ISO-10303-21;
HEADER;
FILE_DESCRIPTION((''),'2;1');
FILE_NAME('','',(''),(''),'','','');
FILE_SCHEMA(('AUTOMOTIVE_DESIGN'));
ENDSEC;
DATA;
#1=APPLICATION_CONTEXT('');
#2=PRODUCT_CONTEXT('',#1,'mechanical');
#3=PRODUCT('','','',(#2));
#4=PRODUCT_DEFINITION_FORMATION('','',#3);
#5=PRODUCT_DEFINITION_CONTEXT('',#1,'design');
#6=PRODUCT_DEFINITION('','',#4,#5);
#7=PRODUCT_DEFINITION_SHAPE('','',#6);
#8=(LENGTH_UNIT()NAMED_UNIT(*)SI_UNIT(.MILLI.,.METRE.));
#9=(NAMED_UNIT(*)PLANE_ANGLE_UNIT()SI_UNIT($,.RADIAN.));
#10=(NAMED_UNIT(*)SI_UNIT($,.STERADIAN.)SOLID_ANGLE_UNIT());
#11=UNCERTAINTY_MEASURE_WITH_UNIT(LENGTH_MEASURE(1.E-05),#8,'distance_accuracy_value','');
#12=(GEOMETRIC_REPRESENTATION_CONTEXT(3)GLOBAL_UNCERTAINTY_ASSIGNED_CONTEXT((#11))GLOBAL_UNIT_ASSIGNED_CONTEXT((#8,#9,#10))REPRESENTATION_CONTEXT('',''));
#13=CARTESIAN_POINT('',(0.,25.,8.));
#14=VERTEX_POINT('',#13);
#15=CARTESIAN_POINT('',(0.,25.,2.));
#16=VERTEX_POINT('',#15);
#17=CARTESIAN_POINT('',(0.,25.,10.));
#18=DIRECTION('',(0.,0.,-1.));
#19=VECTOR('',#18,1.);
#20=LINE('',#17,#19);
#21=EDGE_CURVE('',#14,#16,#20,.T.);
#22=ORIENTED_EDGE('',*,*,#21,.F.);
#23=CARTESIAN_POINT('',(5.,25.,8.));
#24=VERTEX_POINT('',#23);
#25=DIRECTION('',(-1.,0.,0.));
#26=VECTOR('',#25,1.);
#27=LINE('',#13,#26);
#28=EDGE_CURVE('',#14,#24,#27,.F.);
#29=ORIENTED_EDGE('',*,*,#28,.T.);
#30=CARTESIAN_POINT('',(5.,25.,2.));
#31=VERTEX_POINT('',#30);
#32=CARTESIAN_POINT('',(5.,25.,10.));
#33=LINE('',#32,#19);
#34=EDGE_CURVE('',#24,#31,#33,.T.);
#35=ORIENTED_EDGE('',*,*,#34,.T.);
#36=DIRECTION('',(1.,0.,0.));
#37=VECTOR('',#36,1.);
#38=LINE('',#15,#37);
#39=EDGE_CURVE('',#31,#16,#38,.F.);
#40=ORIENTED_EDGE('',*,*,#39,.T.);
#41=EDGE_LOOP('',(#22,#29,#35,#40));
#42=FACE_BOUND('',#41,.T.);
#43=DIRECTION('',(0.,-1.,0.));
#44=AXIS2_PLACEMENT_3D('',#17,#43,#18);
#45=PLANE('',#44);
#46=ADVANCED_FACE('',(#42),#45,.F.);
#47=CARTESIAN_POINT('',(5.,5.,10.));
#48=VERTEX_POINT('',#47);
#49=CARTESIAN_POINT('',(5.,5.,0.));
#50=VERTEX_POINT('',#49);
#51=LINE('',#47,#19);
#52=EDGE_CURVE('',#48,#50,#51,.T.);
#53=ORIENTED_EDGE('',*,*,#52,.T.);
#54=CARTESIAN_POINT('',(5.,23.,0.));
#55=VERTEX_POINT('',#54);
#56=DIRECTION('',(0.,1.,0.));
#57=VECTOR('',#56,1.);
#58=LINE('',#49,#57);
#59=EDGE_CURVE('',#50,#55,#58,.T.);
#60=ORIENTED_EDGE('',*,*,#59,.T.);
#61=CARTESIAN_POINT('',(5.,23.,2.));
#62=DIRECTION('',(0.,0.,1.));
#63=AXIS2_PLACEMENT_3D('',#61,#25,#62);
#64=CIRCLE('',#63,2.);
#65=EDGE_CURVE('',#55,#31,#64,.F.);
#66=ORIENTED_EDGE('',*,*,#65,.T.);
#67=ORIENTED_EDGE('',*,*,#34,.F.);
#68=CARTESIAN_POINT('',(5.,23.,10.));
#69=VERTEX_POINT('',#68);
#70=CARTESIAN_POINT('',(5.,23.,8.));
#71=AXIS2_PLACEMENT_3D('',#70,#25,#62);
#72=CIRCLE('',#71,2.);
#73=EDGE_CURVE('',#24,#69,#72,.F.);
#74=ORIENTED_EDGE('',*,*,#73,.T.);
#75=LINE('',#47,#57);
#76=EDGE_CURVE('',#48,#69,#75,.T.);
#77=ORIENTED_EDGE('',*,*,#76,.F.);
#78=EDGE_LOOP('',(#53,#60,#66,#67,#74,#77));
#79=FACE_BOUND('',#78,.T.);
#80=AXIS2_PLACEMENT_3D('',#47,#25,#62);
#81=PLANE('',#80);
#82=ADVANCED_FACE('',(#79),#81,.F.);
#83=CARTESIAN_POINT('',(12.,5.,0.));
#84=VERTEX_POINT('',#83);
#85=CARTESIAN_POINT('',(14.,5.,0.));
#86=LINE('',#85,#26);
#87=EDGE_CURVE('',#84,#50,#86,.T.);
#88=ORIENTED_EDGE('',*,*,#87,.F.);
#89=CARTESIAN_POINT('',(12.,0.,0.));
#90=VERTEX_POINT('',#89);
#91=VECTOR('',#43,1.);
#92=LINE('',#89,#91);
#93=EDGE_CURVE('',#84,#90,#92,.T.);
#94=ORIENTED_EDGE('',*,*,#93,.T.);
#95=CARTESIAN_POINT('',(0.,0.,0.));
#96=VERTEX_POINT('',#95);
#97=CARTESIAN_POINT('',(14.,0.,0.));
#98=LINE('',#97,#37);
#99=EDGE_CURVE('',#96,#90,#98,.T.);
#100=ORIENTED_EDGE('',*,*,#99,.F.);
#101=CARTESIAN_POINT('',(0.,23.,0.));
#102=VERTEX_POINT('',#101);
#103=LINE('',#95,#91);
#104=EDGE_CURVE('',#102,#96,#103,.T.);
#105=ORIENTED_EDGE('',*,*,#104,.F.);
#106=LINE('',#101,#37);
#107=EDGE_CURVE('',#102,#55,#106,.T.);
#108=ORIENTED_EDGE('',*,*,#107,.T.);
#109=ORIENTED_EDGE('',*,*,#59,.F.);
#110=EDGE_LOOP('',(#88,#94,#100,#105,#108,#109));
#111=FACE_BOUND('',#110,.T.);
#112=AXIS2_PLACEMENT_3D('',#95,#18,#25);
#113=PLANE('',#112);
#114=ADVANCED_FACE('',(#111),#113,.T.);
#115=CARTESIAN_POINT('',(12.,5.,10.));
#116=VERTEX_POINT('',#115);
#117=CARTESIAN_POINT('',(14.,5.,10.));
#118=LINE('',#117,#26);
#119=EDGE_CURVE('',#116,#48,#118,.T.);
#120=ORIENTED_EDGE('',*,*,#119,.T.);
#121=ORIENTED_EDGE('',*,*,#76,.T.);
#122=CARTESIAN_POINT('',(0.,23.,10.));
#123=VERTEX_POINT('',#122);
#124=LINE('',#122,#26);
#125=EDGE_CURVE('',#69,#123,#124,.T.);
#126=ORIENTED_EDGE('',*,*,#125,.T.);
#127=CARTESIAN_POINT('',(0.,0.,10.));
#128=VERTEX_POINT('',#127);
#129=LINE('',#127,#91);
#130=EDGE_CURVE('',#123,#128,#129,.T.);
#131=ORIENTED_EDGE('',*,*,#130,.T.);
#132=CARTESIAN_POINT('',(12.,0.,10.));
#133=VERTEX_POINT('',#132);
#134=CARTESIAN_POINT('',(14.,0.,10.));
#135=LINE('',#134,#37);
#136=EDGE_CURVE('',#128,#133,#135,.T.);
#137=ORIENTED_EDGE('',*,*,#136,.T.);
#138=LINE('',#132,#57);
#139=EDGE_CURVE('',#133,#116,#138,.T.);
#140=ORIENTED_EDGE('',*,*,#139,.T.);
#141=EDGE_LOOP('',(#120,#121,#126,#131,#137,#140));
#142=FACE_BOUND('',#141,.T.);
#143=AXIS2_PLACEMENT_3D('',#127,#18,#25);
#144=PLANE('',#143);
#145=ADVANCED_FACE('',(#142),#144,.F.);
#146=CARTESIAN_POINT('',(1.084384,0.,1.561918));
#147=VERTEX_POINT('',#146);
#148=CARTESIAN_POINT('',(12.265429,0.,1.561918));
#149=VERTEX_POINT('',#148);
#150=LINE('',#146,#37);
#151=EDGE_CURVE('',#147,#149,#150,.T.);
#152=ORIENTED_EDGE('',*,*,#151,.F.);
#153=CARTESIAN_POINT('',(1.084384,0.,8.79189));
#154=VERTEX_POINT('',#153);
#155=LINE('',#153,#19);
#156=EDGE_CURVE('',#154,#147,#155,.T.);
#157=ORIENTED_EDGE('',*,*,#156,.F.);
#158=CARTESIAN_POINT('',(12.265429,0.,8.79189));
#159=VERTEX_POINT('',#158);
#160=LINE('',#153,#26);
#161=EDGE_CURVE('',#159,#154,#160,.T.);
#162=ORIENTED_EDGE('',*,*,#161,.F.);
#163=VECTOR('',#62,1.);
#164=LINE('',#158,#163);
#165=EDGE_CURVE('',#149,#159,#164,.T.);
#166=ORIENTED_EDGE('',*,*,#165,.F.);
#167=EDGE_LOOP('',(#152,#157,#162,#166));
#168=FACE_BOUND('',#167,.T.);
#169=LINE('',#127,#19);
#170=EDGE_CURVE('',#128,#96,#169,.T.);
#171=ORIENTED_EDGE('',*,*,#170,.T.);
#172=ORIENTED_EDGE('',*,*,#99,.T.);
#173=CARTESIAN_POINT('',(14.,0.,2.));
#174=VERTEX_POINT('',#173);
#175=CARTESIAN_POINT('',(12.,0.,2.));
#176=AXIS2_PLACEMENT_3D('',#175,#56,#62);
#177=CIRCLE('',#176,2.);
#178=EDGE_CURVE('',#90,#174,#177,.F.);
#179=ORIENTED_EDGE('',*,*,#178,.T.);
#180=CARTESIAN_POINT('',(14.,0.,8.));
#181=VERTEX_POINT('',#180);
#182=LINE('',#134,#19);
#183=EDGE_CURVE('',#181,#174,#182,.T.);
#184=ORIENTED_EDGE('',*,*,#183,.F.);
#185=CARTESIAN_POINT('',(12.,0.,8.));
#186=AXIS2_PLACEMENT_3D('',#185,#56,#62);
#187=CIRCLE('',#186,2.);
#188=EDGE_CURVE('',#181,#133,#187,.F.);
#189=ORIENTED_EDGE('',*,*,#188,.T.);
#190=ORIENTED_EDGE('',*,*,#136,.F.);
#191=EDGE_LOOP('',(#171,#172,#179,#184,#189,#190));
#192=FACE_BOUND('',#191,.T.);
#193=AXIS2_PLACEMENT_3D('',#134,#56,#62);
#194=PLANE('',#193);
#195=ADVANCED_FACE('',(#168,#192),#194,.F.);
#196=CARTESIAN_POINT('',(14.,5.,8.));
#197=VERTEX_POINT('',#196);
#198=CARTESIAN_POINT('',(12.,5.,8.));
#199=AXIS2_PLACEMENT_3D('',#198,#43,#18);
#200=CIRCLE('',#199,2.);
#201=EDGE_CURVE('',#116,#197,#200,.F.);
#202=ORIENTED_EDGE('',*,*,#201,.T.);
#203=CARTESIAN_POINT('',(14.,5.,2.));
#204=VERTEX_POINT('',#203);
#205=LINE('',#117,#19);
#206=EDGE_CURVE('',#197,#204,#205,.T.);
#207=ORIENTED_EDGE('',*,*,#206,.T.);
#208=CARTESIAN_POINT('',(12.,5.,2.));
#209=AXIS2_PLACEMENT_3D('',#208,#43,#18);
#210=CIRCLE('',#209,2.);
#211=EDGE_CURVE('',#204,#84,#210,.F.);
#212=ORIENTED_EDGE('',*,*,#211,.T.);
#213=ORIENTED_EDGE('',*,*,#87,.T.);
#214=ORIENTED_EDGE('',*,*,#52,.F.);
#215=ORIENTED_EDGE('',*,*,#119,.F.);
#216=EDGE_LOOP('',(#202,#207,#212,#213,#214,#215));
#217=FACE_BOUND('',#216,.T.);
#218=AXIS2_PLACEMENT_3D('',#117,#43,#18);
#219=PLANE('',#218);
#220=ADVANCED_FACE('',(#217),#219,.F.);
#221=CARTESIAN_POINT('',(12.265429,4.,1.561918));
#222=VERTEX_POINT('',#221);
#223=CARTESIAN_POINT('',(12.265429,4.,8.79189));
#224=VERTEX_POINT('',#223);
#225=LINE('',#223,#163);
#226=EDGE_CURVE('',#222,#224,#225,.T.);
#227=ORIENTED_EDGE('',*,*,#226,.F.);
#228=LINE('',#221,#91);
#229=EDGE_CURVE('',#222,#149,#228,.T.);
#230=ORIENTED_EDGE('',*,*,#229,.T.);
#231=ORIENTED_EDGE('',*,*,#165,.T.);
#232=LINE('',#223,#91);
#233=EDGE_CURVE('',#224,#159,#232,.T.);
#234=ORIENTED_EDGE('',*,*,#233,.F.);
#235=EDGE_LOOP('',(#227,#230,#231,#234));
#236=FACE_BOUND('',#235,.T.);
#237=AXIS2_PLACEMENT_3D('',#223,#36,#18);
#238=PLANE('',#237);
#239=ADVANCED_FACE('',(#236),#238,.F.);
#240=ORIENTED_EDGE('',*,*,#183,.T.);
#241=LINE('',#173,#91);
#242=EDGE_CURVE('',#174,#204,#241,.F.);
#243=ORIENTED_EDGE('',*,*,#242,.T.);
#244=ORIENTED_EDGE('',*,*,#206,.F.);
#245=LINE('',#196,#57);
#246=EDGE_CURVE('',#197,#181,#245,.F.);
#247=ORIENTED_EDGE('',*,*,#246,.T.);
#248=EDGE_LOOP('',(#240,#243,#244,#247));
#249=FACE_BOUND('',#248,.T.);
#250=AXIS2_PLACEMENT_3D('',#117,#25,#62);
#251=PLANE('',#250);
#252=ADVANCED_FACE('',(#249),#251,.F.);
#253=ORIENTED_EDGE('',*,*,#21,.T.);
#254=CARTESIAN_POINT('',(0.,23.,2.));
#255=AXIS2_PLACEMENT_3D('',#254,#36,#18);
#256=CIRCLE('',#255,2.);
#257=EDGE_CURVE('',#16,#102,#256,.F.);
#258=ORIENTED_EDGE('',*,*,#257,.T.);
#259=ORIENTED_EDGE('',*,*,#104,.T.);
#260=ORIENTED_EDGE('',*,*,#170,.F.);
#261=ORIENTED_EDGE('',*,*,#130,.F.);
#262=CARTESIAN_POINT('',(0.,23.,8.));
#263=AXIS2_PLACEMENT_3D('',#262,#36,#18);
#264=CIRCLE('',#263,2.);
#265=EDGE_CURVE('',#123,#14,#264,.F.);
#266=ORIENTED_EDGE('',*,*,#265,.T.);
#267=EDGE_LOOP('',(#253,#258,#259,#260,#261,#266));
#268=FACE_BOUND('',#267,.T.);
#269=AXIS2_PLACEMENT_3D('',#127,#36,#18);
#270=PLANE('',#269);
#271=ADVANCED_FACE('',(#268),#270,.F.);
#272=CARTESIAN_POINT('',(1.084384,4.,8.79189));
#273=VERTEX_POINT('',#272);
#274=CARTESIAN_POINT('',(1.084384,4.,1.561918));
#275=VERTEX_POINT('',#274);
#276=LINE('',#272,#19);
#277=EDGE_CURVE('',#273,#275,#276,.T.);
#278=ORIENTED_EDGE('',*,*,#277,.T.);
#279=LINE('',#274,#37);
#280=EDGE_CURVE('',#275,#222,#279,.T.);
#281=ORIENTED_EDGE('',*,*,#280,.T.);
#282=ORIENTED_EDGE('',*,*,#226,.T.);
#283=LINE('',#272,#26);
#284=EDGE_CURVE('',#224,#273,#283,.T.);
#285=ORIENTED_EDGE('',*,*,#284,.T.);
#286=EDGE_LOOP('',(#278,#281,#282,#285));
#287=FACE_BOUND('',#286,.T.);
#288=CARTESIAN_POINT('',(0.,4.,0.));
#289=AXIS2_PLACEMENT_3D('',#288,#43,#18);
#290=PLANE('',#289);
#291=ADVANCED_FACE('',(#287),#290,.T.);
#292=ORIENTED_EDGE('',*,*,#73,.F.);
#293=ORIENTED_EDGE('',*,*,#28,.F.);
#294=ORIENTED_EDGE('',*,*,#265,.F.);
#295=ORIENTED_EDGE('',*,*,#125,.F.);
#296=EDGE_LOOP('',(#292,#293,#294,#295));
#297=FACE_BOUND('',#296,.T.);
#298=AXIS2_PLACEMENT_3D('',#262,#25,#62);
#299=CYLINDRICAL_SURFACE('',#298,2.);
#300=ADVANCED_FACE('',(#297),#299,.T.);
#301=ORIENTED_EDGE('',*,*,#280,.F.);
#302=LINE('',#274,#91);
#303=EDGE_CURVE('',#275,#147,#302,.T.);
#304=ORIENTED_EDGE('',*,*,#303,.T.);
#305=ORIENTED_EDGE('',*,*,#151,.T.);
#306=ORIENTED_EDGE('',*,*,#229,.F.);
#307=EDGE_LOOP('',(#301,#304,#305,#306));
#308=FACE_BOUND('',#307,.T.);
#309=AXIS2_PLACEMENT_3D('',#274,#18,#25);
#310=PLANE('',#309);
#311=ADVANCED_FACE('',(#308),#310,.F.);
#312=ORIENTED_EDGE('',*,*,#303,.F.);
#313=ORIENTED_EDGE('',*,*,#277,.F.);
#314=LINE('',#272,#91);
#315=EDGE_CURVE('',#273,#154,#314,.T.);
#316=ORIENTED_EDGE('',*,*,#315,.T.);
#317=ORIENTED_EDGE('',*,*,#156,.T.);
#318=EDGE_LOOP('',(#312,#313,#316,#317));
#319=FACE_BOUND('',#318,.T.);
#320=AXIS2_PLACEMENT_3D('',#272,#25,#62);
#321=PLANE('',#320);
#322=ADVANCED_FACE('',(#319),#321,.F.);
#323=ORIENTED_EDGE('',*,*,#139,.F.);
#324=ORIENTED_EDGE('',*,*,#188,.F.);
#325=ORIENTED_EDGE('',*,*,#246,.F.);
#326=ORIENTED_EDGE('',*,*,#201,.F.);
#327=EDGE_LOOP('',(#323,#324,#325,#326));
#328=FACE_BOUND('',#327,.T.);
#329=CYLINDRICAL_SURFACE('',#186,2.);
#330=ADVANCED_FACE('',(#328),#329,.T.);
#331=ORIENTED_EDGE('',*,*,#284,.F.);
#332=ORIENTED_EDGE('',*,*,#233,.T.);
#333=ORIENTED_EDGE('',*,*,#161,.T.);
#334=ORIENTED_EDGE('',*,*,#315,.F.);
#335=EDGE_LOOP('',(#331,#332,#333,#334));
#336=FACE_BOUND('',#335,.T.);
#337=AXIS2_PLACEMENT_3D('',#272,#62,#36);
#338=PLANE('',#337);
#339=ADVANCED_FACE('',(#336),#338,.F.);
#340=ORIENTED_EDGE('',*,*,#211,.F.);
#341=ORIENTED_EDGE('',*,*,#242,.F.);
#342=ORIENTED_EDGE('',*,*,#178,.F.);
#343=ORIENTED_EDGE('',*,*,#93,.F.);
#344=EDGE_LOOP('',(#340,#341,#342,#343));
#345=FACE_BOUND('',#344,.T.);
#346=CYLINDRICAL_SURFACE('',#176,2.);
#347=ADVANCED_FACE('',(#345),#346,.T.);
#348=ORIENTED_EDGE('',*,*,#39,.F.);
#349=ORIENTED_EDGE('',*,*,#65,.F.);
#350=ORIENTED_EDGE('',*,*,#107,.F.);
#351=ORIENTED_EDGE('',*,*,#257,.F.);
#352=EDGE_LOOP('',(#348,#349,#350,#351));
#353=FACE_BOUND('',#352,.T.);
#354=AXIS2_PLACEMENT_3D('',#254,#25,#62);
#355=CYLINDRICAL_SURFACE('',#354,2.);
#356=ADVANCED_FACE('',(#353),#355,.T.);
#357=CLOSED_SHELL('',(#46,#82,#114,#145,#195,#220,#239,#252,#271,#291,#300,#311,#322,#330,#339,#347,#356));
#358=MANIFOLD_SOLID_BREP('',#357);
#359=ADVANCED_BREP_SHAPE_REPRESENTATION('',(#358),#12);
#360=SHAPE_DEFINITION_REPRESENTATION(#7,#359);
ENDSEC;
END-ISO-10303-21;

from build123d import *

# Parameters (mm, degrees)
BOSS_EXTRUDE1_DEPTH = 10
FILLET1_R           = 2
FILLET2_R           = 2
FILLET3_R           = 2
FILLET4_R           = 2
SKETCH2_W           = 11.181044811
SKETCH2_H           = 7.229971792
CUT_EXTRUDE1_DEPTH  = 4


with BuildPart() as part:
    # Sketch1 → Boss-Extrude1 (new body)
    with BuildSketch(Plane.XY):
        Polygon((14, 0), (0, 0), (0, 25), (5, 25), (5, 5), (14, 5), align=None)
    extrude(amount=BOSS_EXTRUDE1_DEPTH)

    # Fillet1
    fillet1_edges = [part.edges().sort_by_distance(p)[0] for p in [
        (2.5, 25, 10),
    ]]
    fillet(fillet1_edges, radius=FILLET1_R)

    # Fillet2
    fillet2_edges = [part.edges().sort_by_distance(p)[0] for p in [
        (2.5, 25, 0),
    ]]
    fillet(fillet2_edges, radius=FILLET2_R)

    # Fillet3
    fillet3_edges = [part.edges().sort_by_distance(p)[0] for p in [
        (14, 2.5, 10),
    ]]
    fillet(fillet3_edges, radius=FILLET3_R)

    # Fillet4
    fillet4_edges = [part.edges().sort_by_distance(p)[0] for p in [
        (14, 2.5, 0),
    ]]
    fillet(fillet4_edges, radius=FILLET4_R)

    # Sketch2 → Cut-Extrude1 (cut)
    with BuildSketch(Plane.XZ):
        with Locations((6.674906448, 5.176903909)):
            Rectangle(SKETCH2_W, SKETCH2_H)
    extrude(amount=-CUT_EXTRUDE1_DEPTH, mode=Mode.SUBTRACT)


solid = part.part
